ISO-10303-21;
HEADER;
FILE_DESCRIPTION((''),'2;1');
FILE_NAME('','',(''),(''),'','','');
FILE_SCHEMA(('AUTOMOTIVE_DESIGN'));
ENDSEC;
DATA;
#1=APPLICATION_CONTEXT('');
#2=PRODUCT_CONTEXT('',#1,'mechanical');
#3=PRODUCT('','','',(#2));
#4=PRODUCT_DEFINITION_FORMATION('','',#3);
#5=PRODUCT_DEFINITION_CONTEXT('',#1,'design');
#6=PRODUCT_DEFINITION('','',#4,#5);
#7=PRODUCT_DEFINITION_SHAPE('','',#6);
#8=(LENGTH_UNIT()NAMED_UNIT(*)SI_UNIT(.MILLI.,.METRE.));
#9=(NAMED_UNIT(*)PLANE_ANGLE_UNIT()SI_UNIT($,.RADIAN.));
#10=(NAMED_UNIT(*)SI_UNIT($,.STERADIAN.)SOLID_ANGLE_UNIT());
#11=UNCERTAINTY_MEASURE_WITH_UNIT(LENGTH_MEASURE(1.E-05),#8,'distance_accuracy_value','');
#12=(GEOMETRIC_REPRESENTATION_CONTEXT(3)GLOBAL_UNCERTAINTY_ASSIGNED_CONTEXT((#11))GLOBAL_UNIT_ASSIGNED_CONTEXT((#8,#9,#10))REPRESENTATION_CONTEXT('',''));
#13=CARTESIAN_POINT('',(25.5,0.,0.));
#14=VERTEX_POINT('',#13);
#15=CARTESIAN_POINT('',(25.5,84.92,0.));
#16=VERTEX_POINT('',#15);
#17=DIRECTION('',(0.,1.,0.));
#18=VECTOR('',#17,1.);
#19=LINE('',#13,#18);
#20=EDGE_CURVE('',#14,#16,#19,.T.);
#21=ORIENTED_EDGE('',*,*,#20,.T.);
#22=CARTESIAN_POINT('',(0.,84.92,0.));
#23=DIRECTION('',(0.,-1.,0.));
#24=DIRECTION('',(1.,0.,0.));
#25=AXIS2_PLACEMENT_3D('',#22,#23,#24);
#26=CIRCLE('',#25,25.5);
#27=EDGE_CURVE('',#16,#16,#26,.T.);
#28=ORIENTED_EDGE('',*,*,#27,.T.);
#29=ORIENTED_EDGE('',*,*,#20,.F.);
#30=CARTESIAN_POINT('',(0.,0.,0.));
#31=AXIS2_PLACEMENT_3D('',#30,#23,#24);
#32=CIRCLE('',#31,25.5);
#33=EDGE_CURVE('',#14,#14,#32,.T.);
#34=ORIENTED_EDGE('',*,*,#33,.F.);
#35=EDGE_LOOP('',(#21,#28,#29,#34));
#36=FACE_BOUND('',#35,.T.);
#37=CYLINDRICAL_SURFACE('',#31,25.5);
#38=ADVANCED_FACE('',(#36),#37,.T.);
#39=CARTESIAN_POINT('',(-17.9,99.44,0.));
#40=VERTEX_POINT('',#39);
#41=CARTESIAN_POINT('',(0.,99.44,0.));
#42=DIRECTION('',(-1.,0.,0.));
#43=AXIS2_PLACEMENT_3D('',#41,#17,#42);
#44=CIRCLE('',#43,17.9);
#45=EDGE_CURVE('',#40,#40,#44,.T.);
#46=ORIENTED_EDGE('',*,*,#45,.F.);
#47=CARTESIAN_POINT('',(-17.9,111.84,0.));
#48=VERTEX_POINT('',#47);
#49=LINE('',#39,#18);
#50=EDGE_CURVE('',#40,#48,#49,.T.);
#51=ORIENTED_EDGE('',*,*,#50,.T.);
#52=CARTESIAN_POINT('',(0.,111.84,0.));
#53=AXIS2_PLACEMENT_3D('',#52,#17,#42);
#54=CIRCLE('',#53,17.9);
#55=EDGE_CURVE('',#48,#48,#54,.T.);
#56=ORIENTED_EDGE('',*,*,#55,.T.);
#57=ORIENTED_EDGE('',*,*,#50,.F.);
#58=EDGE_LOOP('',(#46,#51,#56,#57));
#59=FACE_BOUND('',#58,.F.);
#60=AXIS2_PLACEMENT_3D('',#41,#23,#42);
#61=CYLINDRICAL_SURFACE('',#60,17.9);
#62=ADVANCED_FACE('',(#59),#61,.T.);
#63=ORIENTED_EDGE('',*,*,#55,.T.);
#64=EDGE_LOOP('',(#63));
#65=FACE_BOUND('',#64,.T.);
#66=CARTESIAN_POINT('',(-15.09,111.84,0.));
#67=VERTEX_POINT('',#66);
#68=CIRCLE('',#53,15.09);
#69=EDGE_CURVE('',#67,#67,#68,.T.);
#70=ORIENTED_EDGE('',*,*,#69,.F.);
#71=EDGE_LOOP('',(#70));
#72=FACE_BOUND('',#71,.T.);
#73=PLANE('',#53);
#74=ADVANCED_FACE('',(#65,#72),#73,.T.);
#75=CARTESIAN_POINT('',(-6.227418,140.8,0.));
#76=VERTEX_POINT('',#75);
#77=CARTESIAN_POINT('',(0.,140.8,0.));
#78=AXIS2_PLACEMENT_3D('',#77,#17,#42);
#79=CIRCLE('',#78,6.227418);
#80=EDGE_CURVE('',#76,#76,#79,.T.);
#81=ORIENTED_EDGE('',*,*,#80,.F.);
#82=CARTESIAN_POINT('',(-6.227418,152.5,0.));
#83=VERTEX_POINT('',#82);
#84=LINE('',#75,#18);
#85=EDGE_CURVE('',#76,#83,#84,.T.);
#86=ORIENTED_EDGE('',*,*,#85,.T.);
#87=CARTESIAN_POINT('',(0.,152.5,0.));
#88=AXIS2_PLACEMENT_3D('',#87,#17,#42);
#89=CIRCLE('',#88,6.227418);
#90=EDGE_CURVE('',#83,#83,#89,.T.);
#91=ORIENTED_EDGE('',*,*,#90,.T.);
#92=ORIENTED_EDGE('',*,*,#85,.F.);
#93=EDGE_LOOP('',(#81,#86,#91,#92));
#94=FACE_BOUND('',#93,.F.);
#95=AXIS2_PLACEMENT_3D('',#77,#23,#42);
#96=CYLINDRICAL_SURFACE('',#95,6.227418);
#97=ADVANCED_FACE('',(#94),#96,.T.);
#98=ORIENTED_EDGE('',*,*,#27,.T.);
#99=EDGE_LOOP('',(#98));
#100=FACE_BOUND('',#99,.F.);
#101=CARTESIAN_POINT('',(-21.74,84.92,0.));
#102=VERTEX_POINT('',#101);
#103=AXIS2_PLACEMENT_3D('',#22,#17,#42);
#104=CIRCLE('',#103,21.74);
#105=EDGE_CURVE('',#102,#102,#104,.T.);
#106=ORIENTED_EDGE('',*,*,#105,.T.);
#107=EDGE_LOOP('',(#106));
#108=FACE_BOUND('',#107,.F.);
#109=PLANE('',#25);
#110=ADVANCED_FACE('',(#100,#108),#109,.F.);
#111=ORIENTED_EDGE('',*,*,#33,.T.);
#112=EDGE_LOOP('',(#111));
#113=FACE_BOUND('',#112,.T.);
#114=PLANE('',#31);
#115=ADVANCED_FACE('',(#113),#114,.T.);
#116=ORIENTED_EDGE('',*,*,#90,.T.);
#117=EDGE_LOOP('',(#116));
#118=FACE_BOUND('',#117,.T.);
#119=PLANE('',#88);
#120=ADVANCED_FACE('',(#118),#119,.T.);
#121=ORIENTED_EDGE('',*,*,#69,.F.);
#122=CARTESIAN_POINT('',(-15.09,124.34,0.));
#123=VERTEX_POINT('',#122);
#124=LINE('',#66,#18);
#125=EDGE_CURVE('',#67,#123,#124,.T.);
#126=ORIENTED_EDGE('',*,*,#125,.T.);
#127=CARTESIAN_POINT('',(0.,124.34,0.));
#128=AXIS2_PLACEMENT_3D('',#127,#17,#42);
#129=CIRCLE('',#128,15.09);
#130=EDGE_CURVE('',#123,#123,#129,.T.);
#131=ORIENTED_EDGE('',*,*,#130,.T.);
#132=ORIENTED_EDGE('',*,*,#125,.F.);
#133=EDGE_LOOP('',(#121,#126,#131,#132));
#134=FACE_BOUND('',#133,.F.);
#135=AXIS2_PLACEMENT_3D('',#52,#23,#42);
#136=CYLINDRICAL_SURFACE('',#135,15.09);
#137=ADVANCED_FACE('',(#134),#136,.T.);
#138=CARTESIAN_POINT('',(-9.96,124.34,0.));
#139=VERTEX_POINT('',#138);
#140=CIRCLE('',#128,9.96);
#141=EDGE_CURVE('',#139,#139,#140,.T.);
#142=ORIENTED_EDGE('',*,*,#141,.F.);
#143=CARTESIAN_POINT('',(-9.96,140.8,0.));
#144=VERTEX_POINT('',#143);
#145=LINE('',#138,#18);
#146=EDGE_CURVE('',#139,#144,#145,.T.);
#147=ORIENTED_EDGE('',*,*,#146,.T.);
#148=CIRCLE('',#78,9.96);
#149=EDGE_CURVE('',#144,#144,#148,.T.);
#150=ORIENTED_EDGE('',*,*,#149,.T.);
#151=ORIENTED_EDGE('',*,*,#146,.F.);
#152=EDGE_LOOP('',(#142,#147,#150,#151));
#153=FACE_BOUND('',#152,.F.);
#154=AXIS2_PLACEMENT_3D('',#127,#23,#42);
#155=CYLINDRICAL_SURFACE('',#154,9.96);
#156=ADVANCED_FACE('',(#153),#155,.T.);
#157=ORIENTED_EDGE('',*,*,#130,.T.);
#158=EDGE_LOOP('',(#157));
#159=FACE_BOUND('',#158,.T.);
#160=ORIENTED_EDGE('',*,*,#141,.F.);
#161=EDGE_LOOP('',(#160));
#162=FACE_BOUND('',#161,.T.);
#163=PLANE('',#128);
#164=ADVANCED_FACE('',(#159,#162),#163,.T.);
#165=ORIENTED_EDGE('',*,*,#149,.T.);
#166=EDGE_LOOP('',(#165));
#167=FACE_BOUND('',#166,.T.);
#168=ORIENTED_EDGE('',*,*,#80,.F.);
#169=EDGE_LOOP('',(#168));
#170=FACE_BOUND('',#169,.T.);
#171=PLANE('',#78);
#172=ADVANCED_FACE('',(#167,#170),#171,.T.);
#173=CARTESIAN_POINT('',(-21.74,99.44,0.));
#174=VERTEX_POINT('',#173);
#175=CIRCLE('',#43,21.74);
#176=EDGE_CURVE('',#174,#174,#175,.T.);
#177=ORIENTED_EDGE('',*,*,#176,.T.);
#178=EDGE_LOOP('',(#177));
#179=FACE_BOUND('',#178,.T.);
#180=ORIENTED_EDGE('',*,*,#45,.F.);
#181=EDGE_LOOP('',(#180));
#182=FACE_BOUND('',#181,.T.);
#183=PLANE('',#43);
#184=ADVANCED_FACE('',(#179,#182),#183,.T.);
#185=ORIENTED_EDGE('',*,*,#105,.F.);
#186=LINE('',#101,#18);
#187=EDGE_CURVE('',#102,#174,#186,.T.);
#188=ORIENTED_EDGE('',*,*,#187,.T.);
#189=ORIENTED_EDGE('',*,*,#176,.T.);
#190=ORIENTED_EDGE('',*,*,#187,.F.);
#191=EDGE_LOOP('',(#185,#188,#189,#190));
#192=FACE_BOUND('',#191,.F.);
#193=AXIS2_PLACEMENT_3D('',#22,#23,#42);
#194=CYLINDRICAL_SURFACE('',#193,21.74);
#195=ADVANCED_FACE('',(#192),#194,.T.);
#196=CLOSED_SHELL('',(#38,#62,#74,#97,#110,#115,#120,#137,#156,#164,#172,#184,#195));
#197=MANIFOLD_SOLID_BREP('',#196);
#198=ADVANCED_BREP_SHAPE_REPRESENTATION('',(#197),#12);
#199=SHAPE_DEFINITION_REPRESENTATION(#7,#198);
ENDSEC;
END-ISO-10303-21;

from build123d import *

# Parameters (mm, degrees)
F0_R      = 25.5
F1_DEPTH  = 84.92
F2_R      = 21.74
F3_DEPTH  = 14.52
F4_R      = 17.9
F5_DEPTH  = 12.4
F6_R      = 15.09
F7_DEPTH  = 12.5
F8_R      = 9.96
F9_DEPTH  = 16.46
F10_R     = 6.227418
F11_DEPTH = 11.7


with BuildPart() as f1:
    # F0 (on Front) → F1 (new body)
    with BuildSketch(Plane.XZ):
        Circle(F0_R)
    extrude(amount=-F1_DEPTH)

    # F2 (on face) → F3 (join)
    with BuildSketch(Plane(origin=(0, 84.92, 0), x_dir=(-1, 0, 0), z_dir=(0, 1, 0))):
        Circle(F2_R)
    extrude(amount=F3_DEPTH)

    # F4 (on face) → F5 (join)
    with BuildSketch(Plane(origin=(0, 99.44, 0), x_dir=(-1, 0, 0), z_dir=(0, 1, 0))):
        Circle(F4_R)
    extrude(amount=F5_DEPTH)

    # F6 (on face) → F7 (join)
    with BuildSketch(Plane(origin=(0, 111.84, 0), x_dir=(-1, 0, 0), z_dir=(0, 1, 0))):
        Circle(F6_R)
    extrude(amount=F7_DEPTH)

    # F8 (on face) → F9 (join)
    with BuildSketch(Plane(origin=(0, 124.34, 0), x_dir=(-1, 0, 0), z_dir=(0, 1, 0))):
        Circle(F8_R)
    extrude(amount=F9_DEPTH)

    # F10 (on face) → F11 (join)
    with BuildSketch(Plane(origin=(0, 140.8, 0), x_dir=(-1, 0, 0), z_dir=(0, 1, 0))):
        Circle(F10_R)
    extrude(amount=F11_DEPTH)


solid = f1.part
